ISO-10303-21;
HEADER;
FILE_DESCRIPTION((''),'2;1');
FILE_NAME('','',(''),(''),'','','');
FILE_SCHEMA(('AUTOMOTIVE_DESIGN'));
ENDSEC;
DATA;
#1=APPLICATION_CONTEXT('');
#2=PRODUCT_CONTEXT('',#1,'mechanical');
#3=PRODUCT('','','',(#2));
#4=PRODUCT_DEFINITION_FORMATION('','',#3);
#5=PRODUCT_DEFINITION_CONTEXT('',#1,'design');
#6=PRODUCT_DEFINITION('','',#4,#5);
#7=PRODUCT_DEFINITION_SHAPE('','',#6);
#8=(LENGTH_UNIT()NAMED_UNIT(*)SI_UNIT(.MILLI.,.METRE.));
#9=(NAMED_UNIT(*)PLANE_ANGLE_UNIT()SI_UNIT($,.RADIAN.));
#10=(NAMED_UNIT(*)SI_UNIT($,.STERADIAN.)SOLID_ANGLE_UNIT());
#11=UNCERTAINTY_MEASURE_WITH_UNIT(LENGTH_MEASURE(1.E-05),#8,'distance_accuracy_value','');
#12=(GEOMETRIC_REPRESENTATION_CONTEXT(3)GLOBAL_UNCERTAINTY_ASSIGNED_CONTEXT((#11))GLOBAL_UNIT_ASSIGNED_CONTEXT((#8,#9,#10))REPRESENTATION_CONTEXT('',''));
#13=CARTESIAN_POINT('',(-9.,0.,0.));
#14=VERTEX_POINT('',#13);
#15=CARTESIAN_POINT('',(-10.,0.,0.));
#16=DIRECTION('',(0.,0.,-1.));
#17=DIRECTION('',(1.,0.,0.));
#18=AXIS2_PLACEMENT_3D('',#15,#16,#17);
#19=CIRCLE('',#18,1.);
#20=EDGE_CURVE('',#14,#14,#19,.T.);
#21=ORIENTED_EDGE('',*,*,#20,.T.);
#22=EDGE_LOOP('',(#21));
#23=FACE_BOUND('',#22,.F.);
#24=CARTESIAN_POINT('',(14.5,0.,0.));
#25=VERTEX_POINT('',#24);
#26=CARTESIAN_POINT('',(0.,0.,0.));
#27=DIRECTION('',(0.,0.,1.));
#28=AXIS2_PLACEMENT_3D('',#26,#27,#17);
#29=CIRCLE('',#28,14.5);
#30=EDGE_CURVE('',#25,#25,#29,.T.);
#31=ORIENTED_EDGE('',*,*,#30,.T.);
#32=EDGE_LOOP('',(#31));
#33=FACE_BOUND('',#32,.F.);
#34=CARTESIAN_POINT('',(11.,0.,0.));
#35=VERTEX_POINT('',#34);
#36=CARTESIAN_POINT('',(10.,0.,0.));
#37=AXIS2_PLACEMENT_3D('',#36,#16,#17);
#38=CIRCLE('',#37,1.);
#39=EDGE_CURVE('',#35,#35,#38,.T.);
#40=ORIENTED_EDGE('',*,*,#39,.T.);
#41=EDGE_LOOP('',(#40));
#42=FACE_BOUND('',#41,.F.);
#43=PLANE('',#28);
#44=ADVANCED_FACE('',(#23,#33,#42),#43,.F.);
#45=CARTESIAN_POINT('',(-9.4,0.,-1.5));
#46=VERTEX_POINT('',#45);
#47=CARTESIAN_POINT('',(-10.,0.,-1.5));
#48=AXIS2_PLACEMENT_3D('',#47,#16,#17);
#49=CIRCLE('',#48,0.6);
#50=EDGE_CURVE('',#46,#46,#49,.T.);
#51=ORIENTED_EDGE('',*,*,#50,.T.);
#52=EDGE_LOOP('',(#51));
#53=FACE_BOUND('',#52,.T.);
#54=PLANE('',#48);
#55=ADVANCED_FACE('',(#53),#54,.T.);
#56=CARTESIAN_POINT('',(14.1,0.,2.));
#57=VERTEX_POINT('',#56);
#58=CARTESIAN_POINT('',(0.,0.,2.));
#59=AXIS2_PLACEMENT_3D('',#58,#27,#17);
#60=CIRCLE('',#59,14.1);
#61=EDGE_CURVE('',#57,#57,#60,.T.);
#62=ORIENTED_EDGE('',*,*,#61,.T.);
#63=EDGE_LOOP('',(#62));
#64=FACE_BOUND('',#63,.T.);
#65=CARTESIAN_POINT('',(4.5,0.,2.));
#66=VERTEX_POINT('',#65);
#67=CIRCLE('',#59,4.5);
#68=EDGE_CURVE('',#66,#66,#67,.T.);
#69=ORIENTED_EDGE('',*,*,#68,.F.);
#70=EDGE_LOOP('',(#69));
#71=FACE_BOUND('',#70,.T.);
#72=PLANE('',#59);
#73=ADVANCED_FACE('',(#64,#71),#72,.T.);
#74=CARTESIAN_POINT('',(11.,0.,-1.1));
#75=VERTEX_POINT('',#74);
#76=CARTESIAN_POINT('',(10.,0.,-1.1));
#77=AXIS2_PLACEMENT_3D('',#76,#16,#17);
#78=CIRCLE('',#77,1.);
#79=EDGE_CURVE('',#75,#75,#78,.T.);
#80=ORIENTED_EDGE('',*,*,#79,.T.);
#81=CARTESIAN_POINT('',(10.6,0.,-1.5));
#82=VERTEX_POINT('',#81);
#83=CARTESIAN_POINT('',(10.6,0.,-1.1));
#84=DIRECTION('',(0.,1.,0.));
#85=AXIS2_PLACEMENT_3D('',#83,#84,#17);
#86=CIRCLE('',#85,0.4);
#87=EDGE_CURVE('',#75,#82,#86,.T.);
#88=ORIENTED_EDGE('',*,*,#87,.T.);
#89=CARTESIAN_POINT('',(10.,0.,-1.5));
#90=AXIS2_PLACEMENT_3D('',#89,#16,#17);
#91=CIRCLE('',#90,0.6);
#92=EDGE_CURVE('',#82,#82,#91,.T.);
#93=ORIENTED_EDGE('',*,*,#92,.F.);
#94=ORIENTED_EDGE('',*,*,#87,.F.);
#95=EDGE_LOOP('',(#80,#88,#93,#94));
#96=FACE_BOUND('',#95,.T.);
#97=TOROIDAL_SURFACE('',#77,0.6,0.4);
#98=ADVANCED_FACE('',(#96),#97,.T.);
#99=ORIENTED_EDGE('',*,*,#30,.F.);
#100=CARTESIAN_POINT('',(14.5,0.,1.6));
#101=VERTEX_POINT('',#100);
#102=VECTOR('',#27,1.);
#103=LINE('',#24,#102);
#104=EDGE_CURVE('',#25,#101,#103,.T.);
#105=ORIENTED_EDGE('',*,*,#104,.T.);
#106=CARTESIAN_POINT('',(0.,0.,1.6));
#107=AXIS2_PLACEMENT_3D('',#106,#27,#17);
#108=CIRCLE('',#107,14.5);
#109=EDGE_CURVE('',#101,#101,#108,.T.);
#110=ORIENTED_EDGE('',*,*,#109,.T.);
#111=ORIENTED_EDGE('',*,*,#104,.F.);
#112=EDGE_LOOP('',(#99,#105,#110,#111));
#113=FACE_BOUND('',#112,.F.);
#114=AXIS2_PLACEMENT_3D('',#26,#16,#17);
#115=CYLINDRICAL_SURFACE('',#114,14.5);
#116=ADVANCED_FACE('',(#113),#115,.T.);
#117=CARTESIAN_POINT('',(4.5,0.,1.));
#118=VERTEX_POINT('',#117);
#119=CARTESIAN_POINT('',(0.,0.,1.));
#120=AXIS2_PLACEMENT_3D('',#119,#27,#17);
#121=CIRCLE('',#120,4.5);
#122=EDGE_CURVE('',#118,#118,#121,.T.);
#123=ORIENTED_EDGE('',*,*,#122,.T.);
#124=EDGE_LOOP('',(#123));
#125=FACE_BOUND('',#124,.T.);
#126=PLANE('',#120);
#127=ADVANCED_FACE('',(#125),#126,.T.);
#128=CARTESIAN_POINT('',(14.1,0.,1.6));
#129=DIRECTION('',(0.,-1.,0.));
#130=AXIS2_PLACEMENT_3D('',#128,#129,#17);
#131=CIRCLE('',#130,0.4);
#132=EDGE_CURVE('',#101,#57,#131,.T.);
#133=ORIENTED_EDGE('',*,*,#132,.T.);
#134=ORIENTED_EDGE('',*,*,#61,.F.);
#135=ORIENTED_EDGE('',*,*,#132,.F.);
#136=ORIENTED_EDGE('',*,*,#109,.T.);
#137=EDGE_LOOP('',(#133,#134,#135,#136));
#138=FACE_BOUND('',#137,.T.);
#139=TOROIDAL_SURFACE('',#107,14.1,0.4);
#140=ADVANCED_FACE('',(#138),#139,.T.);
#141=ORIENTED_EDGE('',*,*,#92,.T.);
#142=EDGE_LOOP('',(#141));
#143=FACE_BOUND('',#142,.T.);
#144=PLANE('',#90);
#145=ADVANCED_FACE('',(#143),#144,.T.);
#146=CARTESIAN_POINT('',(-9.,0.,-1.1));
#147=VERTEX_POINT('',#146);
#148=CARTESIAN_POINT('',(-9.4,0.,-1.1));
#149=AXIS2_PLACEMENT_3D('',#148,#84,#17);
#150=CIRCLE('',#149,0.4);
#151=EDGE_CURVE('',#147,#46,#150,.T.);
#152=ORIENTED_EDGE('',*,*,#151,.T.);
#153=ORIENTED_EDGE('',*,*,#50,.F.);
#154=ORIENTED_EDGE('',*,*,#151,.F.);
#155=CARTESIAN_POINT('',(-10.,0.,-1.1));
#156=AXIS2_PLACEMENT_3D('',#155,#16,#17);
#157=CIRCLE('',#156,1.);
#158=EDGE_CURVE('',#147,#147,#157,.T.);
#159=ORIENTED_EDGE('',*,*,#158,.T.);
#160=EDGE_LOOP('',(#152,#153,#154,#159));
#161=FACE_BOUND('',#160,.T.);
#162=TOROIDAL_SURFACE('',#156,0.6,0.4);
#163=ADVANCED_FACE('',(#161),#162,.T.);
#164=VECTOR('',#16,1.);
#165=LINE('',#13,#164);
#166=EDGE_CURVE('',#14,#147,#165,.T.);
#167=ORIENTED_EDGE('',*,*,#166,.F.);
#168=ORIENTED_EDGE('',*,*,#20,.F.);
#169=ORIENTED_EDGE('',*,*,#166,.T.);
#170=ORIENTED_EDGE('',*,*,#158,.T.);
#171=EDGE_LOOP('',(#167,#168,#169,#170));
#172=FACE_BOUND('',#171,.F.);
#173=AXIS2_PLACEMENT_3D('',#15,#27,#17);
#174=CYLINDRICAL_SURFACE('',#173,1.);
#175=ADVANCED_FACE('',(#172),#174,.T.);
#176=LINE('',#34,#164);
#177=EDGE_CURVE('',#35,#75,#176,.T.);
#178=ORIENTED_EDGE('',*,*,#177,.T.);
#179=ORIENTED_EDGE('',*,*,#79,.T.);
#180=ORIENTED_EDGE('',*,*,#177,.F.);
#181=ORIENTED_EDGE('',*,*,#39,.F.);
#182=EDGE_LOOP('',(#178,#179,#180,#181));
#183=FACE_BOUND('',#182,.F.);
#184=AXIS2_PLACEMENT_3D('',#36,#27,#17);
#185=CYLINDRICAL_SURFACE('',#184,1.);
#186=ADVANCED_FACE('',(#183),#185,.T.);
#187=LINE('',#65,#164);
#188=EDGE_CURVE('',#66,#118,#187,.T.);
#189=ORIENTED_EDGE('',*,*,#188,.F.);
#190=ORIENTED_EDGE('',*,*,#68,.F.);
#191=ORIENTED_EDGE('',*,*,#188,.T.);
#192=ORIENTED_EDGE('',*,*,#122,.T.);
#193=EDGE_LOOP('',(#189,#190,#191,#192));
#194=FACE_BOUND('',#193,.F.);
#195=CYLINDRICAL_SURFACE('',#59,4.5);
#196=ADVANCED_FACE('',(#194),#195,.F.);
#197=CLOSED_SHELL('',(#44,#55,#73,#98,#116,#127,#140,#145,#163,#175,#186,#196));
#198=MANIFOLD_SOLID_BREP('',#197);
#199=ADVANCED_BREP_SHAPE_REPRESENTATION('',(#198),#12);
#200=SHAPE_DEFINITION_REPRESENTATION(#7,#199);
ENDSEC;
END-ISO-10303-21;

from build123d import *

# Parameters (mm, degrees)
F0_R     = 14.5
F1_DEPTH = 2
F2_R     = 0.4
F3_R     = 1
F4_DEPTH = 1.5
F5_R     = 0.4
F6_R     = 4.5
F7_DEPTH = 1


with BuildPart() as f1:
    # F0 (on Top) → F1 (new body)
    with BuildSketch(Plane.XY):
        Circle(F0_R)
    extrude(amount=F1_DEPTH)

    # F2
    f2_edges = [f1.edges().sort_by_distance(p)[0] for p in [
        (-14.5, 0, 2),
    ]]
    fillet(f2_edges, radius=F2_R)

    # F3 (on face) → F4 (join)
    with BuildSketch(Plane(origin=(0, 0, 0), x_dir=(1, 0, 0), z_dir=(0, 0, -1))):
        with Locations((-10, 0)):
            Circle(F3_R)
        with Locations((10, 0)):
            Circle(F3_R)
    extrude(amount=F4_DEPTH)

    # F5
    f5_edges = [f1.edges().sort_by_distance(p)[0] for p in [
        (-11, 0, -1.5),
        (9, 0, -1.5),
    ]]
    fillet(f5_edges, radius=F5_R)

    # F6 (on face) → F7 (cut)
    with BuildSketch(Plane.XY.offset(2)):
        Circle(F6_R)
    extrude(amount=-F7_DEPTH, mode=Mode.SUBTRACT)


solid = f1.part
